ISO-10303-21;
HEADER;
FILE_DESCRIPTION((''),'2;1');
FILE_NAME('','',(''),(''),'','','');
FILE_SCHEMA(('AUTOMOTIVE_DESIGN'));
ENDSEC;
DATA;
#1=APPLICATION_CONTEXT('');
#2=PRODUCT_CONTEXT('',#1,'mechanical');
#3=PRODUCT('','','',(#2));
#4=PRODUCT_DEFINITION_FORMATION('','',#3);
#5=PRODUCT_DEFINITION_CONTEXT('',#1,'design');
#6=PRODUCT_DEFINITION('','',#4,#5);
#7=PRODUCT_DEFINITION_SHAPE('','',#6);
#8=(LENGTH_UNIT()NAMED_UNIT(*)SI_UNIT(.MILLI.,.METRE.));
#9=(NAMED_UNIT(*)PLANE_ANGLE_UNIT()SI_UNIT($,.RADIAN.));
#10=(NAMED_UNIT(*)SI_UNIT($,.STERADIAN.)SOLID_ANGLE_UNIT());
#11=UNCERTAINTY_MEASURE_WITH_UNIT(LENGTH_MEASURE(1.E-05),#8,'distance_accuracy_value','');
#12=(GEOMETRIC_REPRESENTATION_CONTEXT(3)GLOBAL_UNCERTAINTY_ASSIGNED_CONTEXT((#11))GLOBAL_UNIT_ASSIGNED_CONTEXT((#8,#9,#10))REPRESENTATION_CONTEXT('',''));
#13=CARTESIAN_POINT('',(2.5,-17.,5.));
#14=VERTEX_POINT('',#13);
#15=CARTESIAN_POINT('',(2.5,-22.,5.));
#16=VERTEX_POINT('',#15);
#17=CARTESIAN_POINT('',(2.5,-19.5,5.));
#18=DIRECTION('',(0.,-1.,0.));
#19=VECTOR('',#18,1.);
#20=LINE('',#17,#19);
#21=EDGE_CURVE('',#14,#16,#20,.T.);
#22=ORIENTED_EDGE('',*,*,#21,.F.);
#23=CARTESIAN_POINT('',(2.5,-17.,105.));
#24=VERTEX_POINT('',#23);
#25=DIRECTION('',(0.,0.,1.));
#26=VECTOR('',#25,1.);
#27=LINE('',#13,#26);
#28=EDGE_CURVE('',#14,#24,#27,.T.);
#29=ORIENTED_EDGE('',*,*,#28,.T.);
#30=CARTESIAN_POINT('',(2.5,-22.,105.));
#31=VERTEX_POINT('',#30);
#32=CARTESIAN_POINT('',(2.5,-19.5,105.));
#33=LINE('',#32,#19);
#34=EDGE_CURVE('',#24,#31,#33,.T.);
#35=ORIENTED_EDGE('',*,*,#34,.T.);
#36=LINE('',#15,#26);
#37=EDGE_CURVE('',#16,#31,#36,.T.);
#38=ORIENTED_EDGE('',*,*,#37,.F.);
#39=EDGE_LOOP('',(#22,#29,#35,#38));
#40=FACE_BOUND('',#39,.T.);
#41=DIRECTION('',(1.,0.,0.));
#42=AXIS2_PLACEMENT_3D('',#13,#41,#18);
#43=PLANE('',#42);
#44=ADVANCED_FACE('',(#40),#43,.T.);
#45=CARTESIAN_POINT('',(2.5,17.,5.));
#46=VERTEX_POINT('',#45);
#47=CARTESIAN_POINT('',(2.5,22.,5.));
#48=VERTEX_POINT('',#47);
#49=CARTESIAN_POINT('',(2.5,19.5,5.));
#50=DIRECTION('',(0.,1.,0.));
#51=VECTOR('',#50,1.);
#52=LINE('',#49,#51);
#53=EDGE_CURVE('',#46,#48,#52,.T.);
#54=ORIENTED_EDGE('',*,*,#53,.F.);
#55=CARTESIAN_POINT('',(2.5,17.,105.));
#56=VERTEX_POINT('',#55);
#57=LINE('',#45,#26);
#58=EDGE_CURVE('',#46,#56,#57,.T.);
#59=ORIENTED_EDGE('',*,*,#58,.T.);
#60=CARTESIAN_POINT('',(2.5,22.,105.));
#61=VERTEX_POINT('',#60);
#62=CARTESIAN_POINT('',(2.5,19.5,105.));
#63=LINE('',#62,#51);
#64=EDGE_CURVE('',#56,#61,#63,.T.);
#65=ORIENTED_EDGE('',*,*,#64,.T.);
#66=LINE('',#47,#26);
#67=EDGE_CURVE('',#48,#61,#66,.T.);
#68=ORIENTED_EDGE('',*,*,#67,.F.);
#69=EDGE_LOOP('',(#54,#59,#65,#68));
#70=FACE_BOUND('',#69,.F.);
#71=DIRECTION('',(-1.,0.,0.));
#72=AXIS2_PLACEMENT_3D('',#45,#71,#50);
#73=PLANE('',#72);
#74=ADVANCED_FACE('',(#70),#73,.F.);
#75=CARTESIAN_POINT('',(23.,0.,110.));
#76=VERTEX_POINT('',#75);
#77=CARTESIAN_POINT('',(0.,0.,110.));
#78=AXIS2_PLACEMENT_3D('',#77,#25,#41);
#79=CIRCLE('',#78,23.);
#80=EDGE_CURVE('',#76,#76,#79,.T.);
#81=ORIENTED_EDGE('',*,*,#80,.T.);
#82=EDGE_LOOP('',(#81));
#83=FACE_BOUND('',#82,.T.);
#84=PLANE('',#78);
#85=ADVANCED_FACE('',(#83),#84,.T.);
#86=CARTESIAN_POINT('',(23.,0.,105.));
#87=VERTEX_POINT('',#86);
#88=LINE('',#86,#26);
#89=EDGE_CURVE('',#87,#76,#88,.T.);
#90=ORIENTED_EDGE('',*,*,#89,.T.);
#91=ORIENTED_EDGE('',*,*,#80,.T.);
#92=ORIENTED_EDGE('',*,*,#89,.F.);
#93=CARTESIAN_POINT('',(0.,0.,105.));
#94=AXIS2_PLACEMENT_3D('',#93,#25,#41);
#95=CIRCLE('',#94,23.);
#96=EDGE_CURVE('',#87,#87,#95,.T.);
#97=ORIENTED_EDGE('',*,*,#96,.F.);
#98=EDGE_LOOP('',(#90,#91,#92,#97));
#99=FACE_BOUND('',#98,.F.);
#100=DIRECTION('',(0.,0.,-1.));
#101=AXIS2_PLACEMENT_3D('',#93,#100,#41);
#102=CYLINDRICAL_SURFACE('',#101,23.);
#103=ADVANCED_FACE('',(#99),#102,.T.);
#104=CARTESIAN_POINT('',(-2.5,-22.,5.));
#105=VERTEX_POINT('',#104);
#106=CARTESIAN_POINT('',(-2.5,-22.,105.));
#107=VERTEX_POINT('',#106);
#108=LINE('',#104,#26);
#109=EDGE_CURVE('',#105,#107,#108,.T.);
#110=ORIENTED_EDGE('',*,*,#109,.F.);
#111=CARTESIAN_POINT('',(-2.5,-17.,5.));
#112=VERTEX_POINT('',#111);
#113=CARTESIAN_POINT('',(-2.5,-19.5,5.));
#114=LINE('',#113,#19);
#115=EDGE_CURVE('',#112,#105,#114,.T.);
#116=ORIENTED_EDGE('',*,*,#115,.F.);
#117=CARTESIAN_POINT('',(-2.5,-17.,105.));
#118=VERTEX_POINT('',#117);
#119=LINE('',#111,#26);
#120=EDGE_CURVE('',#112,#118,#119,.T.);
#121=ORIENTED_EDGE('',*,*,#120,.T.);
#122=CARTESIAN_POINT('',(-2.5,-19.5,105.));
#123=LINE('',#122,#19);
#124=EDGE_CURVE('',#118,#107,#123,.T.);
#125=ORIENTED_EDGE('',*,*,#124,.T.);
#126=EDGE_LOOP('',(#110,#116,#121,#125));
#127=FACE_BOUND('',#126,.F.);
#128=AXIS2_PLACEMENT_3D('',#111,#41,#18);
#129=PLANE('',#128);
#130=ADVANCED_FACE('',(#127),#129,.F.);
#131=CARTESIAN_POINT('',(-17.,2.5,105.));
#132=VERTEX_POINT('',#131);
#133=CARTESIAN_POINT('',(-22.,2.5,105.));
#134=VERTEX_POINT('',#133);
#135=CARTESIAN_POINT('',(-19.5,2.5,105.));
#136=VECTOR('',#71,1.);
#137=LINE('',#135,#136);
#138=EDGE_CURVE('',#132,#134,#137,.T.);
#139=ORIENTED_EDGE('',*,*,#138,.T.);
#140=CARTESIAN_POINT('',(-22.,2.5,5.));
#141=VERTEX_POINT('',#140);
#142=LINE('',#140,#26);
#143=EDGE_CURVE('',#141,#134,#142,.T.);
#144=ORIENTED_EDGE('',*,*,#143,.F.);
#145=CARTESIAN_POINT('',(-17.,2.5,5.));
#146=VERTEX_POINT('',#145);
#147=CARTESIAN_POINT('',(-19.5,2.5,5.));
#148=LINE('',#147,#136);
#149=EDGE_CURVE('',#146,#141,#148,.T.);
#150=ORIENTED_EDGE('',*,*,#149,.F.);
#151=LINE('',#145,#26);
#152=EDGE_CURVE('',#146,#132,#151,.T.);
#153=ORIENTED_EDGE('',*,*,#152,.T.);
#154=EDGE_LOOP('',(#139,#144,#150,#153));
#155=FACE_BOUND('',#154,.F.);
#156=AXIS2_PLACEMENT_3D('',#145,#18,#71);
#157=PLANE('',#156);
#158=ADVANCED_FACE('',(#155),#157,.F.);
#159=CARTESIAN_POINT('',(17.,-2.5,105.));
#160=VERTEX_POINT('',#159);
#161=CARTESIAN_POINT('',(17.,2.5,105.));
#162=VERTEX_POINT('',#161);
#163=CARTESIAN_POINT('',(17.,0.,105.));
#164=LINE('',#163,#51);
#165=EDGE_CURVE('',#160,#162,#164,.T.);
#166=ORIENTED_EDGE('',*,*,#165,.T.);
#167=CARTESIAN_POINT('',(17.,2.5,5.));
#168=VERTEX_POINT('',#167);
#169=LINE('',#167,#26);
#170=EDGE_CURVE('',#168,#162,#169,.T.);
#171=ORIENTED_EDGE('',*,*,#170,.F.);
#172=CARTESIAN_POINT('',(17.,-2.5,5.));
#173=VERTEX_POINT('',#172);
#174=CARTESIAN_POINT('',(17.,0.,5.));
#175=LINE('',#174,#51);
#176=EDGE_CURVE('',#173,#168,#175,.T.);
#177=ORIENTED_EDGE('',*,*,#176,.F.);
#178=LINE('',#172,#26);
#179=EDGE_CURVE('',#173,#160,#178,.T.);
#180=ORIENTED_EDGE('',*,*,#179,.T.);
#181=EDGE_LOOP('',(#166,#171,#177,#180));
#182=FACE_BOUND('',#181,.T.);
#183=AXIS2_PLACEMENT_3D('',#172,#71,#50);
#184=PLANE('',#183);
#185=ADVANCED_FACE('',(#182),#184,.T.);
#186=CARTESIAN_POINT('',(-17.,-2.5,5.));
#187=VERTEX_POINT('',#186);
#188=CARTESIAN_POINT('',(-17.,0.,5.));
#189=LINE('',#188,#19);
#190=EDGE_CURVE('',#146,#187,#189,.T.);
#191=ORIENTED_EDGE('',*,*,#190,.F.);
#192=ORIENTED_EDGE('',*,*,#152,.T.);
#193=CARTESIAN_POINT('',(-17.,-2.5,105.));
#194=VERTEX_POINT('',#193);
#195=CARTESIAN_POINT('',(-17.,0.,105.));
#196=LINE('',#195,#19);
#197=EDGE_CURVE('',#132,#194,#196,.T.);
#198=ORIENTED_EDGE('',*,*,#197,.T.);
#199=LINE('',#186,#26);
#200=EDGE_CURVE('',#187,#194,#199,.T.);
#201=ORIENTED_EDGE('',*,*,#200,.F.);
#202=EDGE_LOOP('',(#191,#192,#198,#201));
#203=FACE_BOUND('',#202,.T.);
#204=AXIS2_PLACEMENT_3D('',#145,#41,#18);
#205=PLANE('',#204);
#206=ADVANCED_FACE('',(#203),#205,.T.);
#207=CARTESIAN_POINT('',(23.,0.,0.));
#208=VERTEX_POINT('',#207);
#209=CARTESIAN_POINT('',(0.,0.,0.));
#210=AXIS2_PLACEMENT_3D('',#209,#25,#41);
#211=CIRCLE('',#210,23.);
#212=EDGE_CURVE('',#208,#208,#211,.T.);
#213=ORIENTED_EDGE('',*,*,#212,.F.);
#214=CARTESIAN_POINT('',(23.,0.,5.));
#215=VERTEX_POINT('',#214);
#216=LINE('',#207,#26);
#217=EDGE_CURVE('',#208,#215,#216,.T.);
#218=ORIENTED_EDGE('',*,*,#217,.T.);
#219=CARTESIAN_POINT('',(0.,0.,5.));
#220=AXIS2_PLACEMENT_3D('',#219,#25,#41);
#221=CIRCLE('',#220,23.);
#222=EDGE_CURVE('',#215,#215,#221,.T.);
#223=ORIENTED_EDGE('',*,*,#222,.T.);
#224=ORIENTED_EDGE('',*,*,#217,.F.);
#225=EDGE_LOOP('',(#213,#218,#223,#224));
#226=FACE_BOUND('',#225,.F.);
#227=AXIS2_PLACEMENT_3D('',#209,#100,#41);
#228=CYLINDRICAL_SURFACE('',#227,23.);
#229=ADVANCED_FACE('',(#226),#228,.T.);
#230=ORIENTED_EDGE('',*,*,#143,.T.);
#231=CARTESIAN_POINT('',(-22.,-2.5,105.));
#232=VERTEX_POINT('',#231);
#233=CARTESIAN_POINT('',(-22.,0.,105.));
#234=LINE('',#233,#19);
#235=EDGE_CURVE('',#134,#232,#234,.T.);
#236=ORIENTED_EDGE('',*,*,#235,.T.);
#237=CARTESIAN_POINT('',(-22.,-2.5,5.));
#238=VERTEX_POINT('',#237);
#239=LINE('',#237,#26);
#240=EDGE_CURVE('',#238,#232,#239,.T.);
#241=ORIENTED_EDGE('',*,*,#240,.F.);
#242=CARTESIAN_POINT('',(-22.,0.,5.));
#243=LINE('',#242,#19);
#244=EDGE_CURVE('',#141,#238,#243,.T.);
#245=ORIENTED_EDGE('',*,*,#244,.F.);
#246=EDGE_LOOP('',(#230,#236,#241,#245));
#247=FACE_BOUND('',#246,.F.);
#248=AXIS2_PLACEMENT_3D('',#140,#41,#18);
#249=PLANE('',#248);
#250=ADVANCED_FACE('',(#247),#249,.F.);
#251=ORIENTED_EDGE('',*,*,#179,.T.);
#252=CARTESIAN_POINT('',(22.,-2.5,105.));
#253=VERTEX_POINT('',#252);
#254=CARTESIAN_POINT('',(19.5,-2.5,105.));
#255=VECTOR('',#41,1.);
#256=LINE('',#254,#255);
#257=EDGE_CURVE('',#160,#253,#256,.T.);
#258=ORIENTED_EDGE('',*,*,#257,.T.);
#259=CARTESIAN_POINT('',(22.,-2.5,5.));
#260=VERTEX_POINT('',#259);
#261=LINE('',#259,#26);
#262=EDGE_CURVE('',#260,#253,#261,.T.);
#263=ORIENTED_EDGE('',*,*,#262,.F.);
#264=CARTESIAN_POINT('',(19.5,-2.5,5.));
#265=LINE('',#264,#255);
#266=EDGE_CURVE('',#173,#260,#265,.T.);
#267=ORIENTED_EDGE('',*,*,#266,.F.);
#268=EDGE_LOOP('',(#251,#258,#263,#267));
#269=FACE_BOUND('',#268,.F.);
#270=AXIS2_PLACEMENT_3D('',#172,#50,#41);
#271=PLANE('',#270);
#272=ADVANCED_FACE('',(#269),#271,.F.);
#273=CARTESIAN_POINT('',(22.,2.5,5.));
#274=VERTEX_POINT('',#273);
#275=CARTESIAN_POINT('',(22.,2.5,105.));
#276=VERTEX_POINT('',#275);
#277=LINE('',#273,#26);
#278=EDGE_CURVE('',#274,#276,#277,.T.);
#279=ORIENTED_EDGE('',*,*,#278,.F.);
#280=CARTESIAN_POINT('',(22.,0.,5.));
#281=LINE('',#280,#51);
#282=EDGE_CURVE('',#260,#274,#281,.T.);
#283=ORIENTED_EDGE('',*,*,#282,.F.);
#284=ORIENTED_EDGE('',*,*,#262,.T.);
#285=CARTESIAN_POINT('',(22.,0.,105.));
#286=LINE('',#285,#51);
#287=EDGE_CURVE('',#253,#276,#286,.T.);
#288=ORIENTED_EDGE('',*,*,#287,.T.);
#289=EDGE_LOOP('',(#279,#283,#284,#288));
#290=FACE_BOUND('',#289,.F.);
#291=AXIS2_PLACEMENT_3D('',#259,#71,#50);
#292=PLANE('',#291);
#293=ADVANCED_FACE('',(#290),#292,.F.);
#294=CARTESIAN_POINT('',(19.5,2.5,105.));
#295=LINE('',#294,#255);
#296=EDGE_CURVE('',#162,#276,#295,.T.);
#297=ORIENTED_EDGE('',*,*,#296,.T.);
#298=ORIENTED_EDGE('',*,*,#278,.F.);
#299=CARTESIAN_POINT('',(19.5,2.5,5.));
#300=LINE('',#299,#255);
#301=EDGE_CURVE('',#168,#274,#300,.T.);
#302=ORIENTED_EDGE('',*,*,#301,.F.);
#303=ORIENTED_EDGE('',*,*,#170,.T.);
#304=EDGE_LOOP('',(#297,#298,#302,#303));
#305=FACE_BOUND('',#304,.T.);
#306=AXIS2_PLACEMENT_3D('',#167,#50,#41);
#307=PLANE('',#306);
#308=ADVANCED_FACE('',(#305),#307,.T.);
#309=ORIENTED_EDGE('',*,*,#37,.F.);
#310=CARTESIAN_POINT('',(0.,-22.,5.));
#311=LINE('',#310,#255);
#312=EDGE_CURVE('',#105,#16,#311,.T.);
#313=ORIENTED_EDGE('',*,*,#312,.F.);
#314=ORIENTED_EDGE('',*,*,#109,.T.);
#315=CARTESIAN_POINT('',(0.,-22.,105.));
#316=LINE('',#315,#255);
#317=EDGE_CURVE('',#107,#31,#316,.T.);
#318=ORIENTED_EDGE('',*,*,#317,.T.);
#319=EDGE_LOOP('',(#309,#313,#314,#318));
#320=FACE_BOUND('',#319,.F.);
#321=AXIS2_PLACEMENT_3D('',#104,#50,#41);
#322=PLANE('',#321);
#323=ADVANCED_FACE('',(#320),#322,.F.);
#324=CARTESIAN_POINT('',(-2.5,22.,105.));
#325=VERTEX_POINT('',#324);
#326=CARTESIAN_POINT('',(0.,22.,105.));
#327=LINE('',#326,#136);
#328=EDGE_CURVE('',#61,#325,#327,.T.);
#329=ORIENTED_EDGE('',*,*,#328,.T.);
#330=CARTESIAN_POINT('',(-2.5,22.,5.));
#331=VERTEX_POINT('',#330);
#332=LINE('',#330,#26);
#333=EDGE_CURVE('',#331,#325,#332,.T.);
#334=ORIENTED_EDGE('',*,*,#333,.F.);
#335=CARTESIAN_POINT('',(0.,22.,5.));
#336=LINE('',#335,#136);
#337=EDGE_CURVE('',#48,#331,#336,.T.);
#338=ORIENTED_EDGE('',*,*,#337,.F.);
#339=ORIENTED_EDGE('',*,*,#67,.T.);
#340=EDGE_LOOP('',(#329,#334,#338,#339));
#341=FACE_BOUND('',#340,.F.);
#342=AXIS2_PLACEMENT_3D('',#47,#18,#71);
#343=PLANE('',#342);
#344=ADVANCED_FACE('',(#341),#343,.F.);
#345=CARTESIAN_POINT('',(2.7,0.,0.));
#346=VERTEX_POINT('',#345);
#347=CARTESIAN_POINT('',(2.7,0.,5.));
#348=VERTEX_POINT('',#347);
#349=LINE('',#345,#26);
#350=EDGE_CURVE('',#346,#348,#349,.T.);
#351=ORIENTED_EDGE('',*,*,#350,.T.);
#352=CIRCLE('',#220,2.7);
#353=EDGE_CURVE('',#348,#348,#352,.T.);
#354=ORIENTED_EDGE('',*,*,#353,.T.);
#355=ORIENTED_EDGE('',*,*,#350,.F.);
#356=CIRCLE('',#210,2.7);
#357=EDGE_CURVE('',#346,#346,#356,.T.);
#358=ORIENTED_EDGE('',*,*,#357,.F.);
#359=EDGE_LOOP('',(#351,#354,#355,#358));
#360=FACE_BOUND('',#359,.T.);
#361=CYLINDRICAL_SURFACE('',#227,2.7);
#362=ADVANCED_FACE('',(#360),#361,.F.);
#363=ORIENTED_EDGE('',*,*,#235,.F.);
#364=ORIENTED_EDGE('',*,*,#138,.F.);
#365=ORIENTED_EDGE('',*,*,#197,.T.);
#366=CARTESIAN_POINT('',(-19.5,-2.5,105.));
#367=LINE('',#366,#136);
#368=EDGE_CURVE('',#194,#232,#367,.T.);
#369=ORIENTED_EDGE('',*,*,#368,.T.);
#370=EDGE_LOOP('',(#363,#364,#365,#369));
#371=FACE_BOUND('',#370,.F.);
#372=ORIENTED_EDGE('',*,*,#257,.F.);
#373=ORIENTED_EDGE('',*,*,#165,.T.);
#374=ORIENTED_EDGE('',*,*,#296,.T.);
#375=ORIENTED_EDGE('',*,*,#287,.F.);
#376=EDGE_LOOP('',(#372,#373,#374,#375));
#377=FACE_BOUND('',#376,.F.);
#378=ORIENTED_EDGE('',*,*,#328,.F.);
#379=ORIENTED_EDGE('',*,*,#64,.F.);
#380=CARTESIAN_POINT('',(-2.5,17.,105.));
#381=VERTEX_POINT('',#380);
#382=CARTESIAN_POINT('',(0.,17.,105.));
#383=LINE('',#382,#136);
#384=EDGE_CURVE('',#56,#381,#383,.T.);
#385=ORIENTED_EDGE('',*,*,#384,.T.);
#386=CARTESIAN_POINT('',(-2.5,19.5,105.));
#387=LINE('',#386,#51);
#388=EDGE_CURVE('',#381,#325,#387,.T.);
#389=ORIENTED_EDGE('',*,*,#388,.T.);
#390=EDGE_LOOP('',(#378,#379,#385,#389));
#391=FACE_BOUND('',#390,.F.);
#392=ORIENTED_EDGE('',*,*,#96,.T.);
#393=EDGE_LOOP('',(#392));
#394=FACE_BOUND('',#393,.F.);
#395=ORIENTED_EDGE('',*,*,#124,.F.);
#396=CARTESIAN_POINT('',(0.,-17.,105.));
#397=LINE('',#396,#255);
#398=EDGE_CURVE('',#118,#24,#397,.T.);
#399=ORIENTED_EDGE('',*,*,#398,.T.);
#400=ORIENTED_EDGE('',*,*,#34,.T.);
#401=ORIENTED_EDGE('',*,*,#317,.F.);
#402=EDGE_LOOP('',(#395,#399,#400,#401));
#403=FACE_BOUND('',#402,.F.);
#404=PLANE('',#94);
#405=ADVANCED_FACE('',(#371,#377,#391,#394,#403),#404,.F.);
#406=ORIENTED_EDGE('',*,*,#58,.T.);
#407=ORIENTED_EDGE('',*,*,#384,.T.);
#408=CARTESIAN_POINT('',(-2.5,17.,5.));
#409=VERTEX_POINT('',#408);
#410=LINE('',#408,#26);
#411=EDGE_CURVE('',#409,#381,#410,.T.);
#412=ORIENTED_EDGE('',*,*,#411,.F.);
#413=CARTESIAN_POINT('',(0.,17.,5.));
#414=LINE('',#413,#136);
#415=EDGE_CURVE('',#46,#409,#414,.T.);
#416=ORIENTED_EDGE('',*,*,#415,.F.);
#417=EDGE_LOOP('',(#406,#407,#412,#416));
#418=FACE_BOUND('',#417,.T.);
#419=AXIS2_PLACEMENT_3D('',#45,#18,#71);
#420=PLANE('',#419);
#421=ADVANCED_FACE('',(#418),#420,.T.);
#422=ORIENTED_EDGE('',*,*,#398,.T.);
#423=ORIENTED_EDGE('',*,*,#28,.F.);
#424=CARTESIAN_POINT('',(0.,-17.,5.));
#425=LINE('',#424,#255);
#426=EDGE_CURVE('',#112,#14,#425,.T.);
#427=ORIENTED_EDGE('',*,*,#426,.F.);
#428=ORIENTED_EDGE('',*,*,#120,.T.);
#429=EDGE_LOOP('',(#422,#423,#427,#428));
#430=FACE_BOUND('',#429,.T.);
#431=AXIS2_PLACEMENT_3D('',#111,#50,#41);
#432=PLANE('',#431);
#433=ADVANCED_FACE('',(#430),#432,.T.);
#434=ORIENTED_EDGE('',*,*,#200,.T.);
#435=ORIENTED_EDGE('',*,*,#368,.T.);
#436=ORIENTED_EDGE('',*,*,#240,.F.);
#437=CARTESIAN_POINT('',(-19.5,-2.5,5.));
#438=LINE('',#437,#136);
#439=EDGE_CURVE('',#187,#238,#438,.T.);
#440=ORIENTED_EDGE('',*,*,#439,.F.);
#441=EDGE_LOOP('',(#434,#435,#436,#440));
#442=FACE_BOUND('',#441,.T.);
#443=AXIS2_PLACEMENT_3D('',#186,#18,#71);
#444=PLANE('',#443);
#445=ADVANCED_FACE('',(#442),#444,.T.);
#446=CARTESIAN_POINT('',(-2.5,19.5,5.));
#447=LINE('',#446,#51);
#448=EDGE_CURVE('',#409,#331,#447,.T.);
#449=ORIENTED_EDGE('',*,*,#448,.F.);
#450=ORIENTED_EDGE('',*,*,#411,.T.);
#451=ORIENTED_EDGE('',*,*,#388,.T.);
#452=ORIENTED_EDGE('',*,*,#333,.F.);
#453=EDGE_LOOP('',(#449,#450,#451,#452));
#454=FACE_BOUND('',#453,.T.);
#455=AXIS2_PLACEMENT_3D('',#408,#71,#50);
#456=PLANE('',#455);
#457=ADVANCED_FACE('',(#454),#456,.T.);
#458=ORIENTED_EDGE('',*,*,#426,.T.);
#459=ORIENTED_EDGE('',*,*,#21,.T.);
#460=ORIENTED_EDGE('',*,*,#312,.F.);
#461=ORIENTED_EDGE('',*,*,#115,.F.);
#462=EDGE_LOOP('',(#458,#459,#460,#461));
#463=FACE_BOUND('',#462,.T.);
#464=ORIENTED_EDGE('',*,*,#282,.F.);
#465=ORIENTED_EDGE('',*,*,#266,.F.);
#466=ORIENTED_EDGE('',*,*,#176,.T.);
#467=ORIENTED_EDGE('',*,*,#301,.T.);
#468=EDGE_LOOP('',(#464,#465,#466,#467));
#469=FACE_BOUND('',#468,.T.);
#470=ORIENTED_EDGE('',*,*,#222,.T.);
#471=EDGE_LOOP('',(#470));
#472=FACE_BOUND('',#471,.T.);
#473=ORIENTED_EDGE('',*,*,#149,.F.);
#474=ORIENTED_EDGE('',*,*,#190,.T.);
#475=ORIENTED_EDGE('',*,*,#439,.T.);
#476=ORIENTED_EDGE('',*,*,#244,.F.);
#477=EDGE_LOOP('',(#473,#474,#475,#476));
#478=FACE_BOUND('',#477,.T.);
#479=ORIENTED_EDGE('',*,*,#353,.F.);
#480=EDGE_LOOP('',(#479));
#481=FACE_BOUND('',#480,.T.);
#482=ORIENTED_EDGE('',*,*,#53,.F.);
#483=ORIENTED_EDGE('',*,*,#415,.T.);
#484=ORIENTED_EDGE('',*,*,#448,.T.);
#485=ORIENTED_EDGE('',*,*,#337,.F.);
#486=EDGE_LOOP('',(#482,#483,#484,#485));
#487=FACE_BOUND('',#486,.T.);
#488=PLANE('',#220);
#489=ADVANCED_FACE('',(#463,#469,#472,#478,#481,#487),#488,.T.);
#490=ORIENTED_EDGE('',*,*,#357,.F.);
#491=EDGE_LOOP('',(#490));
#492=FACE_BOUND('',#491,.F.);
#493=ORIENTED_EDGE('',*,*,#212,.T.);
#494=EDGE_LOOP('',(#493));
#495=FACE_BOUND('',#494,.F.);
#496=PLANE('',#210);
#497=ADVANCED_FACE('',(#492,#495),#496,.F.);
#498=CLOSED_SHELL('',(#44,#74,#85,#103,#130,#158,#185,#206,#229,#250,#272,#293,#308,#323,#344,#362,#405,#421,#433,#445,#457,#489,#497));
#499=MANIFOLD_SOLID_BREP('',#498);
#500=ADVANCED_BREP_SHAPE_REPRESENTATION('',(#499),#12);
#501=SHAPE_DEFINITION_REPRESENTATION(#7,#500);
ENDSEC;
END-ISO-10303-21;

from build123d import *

# Parameters (mm, degrees)
SKETCH_R           = 23
PAD_DEPTH          = 5
SKETCH001_R        = 2.7
POCKET_DEPTH       = 5
SKETCH002_W        = 5
SKETCH002_H        = 5
PAD001_DEPTH       = 100
POLARPATTERN_COUNT = 4
SKETCH003_R        = 23
PAD002_DEPTH       = 5


with BuildPart() as part:
    # Sketch → Pad (new body)
    with BuildSketch(Plane.XY):
        Circle(SKETCH_R)
    extrude(amount=PAD_DEPTH)

    # Sketch001 → Pocket (cut)
    with BuildSketch(Plane.XY):
        Circle(SKETCH001_R)
    extrude(amount=POCKET_DEPTH, mode=Mode.SUBTRACT)

    # Sketch002 → Pad001 (join)
    with BuildSketch(Plane.XY.offset(5)):
        with Locations((19.5, 0)):
            Rectangle(SKETCH002_W, SKETCH002_H)
    pad001 = extrude(amount=PAD001_DEPTH)

    # PolarPattern: Pad001 ×4 about axis
    polarpattern_axis = Axis((0, 0, 0), (0, 0, 1))
    for i in range(1, POLARPATTERN_COUNT):
        add(pad001.rotate(polarpattern_axis, i * 360 / POLARPATTERN_COUNT))

    # Sketch003 → Pad002 (join)
    with BuildSketch(Plane.XY.offset(105)):
        Circle(SKETCH003_R)
    extrude(amount=PAD002_DEPTH)


solid = part.part
